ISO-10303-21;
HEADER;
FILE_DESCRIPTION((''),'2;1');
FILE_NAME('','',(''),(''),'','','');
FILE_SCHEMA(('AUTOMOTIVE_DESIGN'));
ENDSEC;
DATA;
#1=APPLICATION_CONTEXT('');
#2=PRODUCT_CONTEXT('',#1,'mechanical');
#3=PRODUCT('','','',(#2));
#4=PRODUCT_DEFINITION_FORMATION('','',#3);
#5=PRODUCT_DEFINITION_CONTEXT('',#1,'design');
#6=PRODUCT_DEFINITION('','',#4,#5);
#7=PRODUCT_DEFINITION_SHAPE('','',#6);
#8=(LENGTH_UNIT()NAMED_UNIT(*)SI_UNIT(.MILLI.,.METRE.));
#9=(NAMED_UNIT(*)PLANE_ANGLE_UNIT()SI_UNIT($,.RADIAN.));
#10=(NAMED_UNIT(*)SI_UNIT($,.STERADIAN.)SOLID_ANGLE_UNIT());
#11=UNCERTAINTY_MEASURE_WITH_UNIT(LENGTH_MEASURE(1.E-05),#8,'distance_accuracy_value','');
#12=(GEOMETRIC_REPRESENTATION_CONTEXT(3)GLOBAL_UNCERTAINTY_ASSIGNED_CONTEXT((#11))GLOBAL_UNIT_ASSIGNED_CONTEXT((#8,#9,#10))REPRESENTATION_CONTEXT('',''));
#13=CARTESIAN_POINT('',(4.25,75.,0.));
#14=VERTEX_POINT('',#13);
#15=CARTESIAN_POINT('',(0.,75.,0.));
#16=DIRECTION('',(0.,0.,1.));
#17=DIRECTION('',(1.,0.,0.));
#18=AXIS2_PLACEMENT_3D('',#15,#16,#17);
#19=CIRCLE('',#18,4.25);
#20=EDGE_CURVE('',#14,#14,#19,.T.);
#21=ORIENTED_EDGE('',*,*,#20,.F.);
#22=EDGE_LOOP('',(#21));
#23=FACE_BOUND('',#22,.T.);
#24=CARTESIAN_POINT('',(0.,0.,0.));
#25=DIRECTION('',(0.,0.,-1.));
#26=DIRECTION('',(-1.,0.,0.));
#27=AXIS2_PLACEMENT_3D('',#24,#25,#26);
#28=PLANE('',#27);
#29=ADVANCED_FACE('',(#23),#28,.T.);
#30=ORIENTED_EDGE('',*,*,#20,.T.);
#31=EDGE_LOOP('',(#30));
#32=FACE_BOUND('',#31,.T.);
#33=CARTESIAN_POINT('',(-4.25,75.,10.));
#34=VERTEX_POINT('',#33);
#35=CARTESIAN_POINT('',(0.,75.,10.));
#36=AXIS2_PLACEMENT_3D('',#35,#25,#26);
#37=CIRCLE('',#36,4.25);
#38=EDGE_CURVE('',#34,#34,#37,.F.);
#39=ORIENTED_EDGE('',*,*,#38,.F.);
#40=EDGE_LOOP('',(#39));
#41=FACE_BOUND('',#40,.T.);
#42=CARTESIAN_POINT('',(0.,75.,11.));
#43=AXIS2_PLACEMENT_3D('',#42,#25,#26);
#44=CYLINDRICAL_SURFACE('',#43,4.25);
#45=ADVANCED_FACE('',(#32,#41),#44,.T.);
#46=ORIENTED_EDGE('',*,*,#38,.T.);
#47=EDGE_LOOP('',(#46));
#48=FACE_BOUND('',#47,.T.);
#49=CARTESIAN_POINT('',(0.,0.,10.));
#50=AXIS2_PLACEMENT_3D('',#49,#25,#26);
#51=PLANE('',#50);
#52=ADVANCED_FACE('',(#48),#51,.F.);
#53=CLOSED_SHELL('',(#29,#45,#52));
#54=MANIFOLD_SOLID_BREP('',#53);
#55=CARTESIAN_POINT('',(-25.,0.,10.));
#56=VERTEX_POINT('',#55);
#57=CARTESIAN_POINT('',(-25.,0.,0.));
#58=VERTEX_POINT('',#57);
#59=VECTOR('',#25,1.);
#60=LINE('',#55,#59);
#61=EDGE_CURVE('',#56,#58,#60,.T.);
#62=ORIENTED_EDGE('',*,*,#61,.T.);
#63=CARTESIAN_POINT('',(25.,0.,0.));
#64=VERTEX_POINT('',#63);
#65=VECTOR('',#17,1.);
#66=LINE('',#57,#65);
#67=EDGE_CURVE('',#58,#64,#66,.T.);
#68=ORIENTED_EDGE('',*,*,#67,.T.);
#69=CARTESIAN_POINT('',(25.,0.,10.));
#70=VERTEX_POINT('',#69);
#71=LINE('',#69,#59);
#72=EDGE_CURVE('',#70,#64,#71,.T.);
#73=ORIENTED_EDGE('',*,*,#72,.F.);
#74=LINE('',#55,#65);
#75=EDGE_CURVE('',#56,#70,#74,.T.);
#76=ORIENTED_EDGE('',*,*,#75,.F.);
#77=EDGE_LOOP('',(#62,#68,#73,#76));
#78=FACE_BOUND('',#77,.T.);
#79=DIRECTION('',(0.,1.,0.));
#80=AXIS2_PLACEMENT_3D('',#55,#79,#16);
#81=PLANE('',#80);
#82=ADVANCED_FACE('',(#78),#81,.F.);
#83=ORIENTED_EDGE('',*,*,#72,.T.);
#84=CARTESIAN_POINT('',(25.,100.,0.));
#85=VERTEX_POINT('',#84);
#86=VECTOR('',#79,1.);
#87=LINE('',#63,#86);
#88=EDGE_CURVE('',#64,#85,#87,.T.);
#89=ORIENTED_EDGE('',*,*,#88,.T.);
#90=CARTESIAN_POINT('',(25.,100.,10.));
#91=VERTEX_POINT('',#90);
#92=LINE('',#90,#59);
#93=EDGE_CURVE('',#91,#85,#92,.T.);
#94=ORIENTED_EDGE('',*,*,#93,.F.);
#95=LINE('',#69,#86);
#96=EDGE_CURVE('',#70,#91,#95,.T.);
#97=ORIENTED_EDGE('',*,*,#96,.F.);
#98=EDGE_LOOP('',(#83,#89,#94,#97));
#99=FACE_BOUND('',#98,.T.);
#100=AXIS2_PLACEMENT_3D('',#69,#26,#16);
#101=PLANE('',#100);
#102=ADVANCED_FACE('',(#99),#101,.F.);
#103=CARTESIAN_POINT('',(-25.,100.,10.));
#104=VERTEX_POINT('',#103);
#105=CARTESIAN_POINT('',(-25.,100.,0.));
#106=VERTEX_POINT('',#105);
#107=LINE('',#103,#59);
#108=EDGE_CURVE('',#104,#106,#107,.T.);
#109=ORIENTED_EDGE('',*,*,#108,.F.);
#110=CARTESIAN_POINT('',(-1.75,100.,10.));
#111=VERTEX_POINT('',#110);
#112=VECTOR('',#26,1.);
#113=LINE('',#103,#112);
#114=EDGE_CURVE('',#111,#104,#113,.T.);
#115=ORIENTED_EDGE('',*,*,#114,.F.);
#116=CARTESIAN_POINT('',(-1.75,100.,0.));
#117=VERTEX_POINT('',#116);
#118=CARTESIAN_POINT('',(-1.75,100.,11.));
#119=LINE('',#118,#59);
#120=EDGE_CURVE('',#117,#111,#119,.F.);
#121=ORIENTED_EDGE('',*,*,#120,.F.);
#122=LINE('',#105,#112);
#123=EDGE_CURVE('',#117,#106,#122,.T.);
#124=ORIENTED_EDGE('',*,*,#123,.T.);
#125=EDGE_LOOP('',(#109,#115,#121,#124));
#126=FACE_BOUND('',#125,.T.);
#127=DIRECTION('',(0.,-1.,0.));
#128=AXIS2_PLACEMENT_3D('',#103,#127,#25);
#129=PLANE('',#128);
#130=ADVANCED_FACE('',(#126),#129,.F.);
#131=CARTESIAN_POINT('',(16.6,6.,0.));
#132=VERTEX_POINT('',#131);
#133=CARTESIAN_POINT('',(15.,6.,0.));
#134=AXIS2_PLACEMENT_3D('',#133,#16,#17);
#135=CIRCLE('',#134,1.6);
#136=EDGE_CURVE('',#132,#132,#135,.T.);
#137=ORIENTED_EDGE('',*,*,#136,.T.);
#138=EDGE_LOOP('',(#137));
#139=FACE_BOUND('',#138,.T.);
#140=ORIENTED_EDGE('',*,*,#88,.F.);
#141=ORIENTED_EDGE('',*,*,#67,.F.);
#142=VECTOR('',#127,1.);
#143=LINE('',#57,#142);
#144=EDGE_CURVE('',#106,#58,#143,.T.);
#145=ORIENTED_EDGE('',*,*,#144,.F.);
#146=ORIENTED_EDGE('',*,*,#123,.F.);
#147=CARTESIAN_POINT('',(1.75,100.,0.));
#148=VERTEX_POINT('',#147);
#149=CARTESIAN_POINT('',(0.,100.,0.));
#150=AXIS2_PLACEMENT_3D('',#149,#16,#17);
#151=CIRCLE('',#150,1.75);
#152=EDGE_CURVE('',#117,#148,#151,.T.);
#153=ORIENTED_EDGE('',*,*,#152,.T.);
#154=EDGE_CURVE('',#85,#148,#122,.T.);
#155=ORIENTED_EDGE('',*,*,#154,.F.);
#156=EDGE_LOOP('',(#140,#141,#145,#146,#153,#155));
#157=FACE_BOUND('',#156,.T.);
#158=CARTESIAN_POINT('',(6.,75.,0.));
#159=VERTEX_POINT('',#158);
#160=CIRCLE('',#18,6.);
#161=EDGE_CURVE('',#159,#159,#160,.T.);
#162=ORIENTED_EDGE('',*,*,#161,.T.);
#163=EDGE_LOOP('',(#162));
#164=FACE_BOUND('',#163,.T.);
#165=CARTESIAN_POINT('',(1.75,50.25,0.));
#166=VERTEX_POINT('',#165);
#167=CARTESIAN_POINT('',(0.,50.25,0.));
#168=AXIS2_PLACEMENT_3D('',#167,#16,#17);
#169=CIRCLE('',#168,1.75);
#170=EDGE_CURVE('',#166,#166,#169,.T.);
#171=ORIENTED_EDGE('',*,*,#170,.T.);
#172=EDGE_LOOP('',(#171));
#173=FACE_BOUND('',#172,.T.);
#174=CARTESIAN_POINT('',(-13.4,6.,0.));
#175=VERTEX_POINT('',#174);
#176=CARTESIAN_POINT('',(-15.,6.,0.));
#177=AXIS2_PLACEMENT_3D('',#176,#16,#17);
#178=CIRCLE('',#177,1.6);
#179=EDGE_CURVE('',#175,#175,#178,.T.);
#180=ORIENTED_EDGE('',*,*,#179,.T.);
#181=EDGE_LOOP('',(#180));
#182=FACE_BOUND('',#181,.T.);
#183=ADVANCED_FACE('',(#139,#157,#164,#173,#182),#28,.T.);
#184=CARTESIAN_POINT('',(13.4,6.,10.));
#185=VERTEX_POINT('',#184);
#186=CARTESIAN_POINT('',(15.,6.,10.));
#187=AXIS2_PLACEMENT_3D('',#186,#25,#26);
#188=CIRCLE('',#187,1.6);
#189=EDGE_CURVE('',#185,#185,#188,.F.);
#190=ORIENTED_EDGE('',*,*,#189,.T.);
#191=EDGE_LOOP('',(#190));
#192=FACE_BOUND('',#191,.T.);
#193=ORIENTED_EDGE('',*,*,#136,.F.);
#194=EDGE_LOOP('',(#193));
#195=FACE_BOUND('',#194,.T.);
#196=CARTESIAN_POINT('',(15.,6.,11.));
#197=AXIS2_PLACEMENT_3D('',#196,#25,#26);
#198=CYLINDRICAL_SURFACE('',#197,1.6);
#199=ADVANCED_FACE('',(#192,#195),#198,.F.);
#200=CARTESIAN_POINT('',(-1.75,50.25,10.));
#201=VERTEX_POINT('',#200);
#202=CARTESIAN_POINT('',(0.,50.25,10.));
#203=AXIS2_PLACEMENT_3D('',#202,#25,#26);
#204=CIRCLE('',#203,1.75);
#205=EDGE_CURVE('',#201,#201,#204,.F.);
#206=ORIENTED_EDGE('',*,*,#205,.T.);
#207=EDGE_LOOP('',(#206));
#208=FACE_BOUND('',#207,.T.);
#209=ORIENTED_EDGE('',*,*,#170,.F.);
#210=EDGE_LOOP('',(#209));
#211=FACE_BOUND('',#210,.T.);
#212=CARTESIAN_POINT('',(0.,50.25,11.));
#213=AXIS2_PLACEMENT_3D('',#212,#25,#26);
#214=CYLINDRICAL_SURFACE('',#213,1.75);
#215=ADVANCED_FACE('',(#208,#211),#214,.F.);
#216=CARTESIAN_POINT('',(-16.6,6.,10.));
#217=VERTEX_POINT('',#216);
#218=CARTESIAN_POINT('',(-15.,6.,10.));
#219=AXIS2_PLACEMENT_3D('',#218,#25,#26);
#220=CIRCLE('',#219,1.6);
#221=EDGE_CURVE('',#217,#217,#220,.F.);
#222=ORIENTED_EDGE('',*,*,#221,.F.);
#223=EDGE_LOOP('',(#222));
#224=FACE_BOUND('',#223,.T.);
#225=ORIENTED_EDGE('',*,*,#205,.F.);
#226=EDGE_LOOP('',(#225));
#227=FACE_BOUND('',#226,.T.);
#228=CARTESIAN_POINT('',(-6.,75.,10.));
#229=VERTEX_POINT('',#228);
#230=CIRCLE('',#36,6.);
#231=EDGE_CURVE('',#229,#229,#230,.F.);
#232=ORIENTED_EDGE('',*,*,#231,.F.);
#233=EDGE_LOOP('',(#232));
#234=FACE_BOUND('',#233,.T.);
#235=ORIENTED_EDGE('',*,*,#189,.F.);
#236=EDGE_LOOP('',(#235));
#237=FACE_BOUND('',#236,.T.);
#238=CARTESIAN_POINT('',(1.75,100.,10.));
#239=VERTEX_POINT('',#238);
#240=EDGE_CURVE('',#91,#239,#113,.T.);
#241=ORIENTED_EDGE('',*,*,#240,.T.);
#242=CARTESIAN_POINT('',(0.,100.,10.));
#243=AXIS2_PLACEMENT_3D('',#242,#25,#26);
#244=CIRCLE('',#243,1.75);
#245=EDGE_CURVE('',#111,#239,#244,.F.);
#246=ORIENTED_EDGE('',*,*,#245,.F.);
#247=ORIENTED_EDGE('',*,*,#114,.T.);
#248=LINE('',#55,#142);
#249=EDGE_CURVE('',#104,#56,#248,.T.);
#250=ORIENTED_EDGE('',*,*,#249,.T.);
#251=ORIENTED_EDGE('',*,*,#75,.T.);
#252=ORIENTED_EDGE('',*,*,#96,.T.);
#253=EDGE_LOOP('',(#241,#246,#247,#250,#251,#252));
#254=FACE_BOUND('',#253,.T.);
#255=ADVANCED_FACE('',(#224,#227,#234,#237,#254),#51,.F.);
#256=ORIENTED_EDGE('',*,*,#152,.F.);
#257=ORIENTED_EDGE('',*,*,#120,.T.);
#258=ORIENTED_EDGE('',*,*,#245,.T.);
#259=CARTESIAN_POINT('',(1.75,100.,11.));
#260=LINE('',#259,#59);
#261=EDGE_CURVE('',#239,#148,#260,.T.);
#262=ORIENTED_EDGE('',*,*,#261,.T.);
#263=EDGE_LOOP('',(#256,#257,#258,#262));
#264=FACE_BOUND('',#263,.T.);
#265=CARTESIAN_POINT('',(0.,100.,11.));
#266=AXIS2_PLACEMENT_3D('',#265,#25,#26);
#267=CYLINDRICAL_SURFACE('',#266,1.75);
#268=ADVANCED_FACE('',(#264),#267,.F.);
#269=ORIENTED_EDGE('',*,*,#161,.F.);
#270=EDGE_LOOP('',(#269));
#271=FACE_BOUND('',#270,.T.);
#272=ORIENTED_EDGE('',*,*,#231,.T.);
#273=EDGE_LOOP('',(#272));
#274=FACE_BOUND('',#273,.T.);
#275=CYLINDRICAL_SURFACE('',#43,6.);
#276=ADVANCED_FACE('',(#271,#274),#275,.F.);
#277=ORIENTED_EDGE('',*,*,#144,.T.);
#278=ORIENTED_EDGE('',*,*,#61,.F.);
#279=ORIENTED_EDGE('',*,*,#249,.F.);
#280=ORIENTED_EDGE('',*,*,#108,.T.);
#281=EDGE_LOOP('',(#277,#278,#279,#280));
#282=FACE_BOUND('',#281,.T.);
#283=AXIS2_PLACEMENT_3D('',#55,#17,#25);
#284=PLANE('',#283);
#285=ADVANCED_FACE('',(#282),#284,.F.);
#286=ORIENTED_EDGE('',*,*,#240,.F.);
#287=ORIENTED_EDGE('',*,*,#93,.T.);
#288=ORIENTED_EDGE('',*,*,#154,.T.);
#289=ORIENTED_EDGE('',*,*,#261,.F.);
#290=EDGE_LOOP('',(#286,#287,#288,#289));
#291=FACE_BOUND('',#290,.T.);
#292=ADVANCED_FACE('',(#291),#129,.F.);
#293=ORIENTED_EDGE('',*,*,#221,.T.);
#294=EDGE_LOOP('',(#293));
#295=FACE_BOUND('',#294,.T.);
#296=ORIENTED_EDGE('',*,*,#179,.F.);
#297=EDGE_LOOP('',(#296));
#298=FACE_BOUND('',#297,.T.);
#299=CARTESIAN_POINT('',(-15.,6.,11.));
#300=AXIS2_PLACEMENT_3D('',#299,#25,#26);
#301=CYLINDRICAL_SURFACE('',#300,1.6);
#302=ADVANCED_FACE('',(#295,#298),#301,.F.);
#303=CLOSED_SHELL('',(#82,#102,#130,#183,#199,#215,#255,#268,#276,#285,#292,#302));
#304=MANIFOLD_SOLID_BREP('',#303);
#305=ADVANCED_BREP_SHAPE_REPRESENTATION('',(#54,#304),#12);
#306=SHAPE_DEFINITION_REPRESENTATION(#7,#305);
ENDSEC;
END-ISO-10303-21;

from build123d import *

# Parameters (mm, degrees)
SKETCH1_W           = 50
SKETCH1_H           = 100
BOSS_EXTRUDE1_DEPTH = 10
SKETCH2_R           = 1.6
SKETCH2_R_2         = 1.75
SKETCH2_R_3         = 6
SKETCH2_R_4         = 4.25
CUT_EXTRUDE2_DEPTH  = 11


with BuildPart() as part:
    # Sketch1 → Boss-Extrude1 (new body)
    with BuildSketch(Plane.XY):
        with Locations((0, 50)):
            Rectangle(SKETCH1_W, SKETCH1_H)
    extrude(amount=BOSS_EXTRUDE1_DEPTH)

    # Sketch2 → Cut-Extrude2 (cut)
    # profile 1 of 5: a face of its own
    with BuildSketch(Plane.XY):
        with Locations(Location((15, 6, 0), (0, 0, 180))):
            Circle(SKETCH2_R)
    # profile 2 of 5: a face of its own
    with BuildSketch(Plane.XY):
        with Locations(Location((-15, 6, 0), (0, 0, 180))):
            Circle(SKETCH2_R)
    # profile 3 of 5: a face of its own
    with BuildSketch(Plane.XY):
        with Locations((0, 100)):
            Circle(SKETCH2_R_2)
    # profile 4 of 5: a face of its own
    with BuildSketch(Plane.XY):
        with Locations(Location((0, 50.25, 0), (0, 0, 180))):
            Circle(SKETCH2_R_2)
    # profile 5 of 5: a face of its own
    with BuildSketch(Plane.XY):
        with Locations(Location((0, 75, 0), (0, 0, 180))):
            Circle(SKETCH2_R_3)
        with Locations(Location((0, 75, 0), (0, 0, 180))):
            Circle(SKETCH2_R_4, mode=Mode.SUBTRACT)
    extrude(amount=CUT_EXTRUDE2_DEPTH, mode=Mode.SUBTRACT)


with BuildPart() as cut_extrude2_piece_1:
    # of the separate pieces the step leaves, piece 1, a body of its own (cut_extrude2_pieces)
    add(part.part.solids().sort_by_distance((-25, 0, 0))[0])


with BuildPart() as cut_extrude2_piece_2:
    # of the separate pieces the step leaves, piece 2, a body of its own (cut_extrude2_pieces)
    add(part.part.solids().sort_by_distance((-4.25, 75, 0))[0])


solid = Compound([cut_extrude2_piece_1.part, cut_extrude2_piece_2.part])
